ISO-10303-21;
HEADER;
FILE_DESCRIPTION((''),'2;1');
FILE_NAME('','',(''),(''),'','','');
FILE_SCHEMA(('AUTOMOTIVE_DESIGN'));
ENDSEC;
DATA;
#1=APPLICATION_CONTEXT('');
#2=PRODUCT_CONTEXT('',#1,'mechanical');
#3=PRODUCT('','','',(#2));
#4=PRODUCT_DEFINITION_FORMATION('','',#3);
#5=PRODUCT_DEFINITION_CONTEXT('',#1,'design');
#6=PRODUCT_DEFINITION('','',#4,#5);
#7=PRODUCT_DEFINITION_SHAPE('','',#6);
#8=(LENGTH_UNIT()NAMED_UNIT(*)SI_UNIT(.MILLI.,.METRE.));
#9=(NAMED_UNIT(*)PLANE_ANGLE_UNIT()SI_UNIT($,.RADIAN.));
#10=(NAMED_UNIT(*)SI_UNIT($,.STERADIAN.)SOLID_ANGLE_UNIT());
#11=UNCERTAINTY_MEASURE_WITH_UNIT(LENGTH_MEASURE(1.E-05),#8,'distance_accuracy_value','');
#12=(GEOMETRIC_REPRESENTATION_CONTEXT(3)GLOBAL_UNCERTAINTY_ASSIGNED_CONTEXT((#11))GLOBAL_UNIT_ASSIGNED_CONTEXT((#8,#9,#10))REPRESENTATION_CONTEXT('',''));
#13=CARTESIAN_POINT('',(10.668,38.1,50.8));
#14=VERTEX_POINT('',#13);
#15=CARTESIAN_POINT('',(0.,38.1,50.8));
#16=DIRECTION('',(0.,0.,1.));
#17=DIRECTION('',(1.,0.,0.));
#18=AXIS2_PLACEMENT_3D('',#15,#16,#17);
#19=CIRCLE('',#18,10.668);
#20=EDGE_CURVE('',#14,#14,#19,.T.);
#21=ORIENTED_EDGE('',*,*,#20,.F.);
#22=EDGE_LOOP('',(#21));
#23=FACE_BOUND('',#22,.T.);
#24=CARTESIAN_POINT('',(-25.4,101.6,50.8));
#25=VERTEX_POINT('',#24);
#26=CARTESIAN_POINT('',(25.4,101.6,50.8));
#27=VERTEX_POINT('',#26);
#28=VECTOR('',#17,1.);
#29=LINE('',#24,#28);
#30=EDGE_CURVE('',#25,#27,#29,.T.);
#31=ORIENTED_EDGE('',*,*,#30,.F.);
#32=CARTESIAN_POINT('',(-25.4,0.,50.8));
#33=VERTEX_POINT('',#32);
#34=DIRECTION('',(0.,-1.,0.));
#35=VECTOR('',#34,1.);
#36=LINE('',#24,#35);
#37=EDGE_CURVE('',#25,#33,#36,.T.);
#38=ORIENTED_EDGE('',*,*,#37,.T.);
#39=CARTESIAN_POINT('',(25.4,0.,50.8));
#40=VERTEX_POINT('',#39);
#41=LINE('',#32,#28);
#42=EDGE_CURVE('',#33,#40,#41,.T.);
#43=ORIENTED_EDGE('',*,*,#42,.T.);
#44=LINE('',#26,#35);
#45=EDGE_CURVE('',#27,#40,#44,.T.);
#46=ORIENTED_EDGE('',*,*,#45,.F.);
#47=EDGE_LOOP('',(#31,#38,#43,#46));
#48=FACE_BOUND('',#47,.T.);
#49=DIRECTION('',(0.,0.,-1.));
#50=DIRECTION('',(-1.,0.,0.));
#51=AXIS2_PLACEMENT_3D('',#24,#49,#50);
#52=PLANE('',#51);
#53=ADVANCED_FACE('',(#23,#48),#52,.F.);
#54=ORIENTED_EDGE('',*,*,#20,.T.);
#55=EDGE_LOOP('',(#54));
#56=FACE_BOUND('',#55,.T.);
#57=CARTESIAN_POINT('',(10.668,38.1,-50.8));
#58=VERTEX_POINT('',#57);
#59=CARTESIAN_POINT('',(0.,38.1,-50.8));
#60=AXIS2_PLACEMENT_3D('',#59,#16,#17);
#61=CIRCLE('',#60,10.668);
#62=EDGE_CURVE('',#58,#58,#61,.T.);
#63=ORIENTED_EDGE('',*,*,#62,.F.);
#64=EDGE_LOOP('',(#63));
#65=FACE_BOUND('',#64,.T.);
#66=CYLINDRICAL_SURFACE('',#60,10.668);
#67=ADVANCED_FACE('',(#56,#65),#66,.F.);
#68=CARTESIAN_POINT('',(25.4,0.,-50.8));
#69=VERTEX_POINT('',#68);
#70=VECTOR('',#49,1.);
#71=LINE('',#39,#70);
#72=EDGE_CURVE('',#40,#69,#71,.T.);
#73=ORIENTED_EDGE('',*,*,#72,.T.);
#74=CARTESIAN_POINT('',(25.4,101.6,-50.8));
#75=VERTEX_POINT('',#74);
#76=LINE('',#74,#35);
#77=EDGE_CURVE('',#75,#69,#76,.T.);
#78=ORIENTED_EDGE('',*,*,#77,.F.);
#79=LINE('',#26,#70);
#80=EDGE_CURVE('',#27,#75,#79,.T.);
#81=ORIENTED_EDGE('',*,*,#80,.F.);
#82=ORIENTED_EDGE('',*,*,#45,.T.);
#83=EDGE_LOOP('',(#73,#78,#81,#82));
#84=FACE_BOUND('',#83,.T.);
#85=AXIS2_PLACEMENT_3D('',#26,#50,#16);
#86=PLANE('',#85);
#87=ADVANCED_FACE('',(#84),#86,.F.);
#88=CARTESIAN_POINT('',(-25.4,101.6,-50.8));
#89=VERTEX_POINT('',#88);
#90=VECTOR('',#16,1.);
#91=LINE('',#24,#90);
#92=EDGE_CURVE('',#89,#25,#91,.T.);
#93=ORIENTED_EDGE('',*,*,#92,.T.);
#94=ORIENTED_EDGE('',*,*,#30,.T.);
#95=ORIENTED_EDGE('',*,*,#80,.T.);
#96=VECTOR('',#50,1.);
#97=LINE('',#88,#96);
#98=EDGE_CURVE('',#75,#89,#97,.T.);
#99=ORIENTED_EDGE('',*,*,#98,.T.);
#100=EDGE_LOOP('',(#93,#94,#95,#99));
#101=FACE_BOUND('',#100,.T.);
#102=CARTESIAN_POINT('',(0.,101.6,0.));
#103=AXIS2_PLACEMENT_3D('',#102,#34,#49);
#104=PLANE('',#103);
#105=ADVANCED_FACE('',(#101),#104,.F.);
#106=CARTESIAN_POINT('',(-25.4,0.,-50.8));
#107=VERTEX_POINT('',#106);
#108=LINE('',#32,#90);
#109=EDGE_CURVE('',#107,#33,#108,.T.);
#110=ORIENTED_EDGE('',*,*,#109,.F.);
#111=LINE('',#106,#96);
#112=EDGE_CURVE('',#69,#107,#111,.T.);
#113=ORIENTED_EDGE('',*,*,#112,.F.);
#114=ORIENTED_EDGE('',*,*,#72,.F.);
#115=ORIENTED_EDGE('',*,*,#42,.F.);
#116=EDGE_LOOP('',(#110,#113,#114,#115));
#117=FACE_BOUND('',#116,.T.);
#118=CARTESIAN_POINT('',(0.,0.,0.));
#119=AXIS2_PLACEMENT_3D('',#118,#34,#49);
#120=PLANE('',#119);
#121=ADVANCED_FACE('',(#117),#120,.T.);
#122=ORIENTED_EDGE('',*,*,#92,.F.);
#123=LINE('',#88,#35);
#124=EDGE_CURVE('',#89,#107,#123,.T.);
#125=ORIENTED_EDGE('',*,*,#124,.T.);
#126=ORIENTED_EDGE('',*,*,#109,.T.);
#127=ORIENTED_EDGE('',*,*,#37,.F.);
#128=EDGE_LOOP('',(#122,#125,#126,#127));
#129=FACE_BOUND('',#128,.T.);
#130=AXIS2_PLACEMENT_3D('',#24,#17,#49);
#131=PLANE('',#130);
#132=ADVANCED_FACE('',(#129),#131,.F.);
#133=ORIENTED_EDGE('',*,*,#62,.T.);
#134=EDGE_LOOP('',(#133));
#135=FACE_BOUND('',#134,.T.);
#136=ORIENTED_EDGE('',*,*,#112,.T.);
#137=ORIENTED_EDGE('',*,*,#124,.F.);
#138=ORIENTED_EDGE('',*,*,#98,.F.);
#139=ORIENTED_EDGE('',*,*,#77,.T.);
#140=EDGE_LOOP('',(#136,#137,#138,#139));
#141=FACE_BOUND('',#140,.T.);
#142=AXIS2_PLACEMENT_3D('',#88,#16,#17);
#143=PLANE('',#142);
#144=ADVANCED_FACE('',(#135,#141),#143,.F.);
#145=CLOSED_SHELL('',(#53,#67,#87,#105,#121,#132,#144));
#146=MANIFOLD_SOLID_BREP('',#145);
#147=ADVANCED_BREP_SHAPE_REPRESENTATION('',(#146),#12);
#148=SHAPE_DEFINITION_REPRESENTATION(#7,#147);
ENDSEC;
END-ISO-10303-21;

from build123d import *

# Parameters (mm, degrees)
SKETCH1_W               = 50.8
SKETCH1_H               = 101.6
BOSS_EXTRUDE2_DEPTH     = 101.6
SKETCH4_R               = 10.668
CUT_EXTRUDE2_DEPTH      = 51.8
CUT_EXTRUDE2_DEPTH_BACK = 51.8


with BuildPart() as part:
    # Sketch1 → Boss-Extrude2 (new body)
    with BuildSketch(Plane(origin=(0, 0, 0), x_dir=(1, 0, 0), z_dir=(0, 1, 0))):
        Rectangle(SKETCH1_W, SKETCH1_H)
    extrude(amount=BOSS_EXTRUDE2_DEPTH)

    # Sketch4 → Cut-Extrude2 (cut, two sides)
    with BuildSketch(Plane.XY) as cut_extrude2_sk:
        with Locations((0, 38.1)):
            Circle(SKETCH4_R)
    extrude(amount=CUT_EXTRUDE2_DEPTH, mode=Mode.SUBTRACT)
    extrude(cut_extrude2_sk.sketch, amount=-CUT_EXTRUDE2_DEPTH_BACK, mode=Mode.SUBTRACT)


solid = part.part
